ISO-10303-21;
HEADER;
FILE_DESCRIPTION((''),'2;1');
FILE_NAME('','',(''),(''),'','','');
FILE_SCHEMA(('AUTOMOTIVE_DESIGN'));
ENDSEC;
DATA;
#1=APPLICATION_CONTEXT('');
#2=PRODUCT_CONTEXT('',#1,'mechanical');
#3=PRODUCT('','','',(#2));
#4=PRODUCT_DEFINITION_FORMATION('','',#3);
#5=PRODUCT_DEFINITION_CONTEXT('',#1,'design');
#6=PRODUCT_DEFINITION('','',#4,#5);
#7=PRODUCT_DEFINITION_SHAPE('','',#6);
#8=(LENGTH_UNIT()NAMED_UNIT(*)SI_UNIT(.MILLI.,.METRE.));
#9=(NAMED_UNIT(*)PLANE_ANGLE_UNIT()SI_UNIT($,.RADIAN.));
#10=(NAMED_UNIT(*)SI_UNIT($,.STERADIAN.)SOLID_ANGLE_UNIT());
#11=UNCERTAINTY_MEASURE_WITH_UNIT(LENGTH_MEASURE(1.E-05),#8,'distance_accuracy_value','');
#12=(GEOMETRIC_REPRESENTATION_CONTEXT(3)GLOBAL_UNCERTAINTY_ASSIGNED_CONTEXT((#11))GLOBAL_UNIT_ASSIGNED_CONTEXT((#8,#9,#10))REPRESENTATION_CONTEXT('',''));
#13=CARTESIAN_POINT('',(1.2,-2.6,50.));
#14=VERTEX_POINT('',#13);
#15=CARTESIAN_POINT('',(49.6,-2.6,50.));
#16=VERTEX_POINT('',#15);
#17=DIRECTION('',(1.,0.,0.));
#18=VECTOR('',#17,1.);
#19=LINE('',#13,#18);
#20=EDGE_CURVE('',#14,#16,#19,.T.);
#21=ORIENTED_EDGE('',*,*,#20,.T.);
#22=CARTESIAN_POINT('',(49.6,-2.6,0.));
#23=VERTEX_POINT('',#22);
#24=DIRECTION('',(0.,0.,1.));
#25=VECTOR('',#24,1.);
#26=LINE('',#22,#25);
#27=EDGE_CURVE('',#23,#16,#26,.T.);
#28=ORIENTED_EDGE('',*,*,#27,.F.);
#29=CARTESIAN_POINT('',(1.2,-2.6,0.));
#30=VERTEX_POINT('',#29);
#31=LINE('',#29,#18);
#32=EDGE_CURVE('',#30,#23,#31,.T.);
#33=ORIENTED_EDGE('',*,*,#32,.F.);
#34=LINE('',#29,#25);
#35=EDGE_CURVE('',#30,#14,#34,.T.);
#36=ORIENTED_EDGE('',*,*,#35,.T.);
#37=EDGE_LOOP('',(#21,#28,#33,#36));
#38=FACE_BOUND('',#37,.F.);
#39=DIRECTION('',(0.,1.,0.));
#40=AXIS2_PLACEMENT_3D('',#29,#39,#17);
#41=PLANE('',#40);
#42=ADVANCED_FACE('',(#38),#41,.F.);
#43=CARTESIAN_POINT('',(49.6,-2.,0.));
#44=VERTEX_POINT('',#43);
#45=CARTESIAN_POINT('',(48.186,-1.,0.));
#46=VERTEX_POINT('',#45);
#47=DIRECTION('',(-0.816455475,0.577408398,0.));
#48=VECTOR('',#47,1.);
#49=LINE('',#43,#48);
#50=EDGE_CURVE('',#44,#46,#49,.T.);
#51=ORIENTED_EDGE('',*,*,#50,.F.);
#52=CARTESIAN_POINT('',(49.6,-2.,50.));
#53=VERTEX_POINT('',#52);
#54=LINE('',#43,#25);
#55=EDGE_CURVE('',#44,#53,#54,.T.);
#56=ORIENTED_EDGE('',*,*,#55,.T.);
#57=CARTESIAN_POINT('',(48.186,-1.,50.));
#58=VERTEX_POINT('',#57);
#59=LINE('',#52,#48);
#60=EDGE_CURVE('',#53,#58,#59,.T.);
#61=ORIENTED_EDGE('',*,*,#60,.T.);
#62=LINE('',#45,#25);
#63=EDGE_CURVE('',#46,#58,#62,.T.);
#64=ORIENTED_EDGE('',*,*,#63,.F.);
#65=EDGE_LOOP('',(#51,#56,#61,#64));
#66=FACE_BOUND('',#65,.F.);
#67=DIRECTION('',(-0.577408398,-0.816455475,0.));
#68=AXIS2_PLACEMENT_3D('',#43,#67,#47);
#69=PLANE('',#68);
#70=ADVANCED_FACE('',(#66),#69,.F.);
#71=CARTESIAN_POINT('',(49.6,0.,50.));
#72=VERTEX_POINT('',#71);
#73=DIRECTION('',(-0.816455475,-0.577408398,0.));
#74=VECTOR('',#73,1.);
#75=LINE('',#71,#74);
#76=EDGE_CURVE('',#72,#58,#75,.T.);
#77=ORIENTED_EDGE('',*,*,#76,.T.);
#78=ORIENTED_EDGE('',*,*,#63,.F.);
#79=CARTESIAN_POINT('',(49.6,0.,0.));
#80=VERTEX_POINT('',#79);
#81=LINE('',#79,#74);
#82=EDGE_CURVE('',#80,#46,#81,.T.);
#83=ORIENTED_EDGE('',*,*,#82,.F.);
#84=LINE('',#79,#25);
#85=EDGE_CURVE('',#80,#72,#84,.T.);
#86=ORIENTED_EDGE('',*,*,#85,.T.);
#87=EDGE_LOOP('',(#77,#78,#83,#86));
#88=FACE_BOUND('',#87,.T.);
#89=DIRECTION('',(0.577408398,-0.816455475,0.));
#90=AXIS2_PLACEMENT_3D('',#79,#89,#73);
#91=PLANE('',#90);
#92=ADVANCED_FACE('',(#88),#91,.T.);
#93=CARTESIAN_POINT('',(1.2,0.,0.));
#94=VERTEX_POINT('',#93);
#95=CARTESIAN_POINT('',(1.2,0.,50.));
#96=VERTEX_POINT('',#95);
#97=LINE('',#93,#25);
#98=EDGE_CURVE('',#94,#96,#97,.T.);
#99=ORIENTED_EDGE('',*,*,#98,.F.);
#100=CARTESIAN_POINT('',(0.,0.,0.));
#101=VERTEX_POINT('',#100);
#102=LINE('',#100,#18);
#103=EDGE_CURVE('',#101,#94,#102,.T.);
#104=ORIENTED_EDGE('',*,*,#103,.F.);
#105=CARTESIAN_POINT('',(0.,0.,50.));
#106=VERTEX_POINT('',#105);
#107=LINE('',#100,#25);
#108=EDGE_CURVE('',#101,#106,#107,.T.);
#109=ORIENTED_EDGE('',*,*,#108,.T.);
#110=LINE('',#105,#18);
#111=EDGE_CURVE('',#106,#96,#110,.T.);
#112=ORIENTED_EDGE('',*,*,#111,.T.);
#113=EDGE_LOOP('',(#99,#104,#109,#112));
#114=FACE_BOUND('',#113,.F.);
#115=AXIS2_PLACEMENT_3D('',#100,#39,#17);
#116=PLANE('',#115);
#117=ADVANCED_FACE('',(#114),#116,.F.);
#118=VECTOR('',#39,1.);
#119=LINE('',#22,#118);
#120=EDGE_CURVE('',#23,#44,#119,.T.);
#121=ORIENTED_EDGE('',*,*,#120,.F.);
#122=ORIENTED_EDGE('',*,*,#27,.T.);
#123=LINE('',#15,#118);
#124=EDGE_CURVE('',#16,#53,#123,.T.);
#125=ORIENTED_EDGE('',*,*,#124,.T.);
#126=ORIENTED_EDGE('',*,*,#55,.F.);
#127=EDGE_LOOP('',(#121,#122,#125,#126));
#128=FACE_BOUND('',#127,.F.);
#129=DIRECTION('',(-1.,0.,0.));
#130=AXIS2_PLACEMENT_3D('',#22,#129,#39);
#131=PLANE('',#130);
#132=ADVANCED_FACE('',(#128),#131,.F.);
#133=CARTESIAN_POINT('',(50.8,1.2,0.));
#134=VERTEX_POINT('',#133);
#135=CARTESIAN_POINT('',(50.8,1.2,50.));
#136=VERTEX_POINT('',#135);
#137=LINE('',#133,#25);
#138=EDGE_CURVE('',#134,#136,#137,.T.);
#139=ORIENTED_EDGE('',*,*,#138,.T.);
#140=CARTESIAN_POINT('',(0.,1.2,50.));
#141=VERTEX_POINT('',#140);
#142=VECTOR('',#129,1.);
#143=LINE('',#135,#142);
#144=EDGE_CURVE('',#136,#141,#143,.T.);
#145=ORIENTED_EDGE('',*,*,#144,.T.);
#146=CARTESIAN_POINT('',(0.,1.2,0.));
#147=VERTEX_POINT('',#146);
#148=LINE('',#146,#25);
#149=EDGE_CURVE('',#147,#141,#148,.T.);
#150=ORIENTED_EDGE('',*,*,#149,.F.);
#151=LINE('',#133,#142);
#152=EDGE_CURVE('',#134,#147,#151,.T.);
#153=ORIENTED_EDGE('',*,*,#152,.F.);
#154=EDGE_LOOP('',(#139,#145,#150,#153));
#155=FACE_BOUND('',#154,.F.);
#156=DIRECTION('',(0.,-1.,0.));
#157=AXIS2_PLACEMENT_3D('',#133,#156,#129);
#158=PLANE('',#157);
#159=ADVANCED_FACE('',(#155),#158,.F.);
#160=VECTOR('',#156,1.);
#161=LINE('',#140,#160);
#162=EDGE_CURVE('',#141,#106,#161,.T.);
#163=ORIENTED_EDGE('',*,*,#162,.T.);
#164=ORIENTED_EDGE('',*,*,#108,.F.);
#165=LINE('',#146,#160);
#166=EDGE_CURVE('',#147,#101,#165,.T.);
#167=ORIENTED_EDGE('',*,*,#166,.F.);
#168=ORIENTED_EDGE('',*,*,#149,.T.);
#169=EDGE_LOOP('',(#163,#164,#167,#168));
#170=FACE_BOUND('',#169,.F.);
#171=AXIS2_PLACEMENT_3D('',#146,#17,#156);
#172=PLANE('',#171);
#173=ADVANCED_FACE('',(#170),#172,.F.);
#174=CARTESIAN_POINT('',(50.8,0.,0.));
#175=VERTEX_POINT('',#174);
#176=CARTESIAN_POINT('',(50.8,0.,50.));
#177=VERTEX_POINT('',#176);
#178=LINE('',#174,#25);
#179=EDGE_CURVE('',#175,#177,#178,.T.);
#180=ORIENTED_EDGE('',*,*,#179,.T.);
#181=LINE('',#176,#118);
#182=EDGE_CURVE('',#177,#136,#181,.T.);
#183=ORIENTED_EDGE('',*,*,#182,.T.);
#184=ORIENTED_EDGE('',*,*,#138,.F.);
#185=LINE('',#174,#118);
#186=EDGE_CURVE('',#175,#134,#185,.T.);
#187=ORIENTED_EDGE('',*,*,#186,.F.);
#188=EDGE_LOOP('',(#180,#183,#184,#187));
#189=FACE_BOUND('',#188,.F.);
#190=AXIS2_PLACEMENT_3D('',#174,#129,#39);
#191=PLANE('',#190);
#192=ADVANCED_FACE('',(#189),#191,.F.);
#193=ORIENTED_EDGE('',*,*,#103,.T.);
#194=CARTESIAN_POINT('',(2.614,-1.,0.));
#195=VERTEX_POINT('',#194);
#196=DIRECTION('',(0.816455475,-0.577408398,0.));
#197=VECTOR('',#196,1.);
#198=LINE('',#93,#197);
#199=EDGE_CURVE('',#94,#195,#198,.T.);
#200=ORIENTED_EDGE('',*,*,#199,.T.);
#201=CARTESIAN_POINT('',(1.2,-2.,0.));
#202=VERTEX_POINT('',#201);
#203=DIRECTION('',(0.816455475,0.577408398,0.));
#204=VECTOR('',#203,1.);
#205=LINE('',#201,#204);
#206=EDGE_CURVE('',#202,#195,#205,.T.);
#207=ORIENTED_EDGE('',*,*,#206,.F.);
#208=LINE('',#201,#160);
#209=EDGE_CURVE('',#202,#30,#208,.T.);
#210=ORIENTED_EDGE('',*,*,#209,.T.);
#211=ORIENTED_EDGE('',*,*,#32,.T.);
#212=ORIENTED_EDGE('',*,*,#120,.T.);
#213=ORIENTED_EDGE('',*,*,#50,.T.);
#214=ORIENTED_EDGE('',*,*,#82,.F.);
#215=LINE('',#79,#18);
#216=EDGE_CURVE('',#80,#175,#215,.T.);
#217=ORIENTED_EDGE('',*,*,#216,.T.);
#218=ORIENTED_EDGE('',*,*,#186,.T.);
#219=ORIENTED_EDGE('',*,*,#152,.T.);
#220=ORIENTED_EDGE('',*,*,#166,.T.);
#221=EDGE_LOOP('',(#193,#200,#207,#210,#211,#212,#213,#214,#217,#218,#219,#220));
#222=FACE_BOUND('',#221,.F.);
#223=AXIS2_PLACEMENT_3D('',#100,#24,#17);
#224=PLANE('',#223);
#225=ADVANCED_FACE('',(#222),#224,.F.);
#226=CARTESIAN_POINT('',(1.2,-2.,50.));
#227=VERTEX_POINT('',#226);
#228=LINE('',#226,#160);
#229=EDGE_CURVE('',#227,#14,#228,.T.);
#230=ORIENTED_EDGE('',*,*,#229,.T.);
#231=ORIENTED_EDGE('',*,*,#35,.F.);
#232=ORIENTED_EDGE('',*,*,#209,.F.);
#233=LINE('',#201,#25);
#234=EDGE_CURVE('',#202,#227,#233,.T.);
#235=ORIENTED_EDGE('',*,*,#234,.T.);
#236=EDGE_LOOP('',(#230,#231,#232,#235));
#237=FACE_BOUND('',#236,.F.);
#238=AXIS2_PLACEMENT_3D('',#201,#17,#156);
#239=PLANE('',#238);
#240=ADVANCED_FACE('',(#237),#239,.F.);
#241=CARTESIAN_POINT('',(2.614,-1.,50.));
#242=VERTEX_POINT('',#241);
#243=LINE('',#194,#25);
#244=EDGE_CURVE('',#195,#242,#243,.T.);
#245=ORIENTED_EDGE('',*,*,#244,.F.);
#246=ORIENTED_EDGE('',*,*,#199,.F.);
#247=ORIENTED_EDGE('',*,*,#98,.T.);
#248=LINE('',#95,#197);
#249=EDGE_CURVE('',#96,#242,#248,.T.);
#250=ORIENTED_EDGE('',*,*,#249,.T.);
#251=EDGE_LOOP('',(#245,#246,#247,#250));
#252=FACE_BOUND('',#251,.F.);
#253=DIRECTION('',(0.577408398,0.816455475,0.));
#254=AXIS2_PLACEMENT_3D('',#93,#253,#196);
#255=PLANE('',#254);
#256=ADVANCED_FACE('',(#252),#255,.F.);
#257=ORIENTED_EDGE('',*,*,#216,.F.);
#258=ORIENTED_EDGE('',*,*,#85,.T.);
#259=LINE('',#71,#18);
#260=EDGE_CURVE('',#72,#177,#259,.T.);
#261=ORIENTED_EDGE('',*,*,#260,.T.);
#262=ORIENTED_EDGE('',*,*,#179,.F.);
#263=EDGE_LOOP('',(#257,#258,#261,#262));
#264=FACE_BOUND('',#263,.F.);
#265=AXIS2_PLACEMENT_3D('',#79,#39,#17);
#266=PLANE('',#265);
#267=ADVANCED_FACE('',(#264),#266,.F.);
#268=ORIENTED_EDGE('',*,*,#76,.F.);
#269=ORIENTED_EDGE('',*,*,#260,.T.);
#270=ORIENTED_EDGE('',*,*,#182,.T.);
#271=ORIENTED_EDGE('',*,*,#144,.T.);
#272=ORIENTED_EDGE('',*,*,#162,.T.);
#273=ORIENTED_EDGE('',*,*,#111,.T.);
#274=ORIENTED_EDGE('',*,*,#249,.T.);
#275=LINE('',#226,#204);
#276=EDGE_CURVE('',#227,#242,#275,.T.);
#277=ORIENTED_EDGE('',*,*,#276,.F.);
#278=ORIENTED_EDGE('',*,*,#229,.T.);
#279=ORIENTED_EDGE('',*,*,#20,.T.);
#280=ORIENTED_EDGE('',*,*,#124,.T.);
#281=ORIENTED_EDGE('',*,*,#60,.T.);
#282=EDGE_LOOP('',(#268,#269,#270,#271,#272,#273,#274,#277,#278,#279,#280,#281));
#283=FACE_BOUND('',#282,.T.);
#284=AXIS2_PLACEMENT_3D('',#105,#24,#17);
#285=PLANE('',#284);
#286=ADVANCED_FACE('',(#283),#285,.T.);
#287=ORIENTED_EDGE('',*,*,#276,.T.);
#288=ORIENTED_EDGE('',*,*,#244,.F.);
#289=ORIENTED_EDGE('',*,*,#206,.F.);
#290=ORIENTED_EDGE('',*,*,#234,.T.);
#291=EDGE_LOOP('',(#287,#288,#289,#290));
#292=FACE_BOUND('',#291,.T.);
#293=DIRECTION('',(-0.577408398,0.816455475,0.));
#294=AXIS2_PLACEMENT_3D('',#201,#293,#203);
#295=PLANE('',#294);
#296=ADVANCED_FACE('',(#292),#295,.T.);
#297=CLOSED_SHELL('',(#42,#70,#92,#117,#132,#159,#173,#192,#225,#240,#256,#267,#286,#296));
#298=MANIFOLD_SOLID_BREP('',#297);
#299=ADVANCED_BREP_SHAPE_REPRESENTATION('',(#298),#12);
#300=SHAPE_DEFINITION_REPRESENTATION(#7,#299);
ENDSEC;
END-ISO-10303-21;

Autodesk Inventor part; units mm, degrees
ref_plane "YZ Plane" through (0, 0, 0) normal (1, 0, 0) x (0, 1, 0)
ref_plane "XZ Plane" through (0, 0, 0) normal (0, 1, 0) x (-1, 0, 0)
ref_plane "XY Plane" through (0, 0, 0) normal (0, 0, 1) x (1, 0, 0)
sketch "Sketch1" plane through (0, 0, 0) normal (0, 0, 1) x (1, 0, 0)
  line L0 (50.8, 0) -> (50.8, 1.2)
  line L1 (50.8, 1.2) -> (0, 1.2)
  line L2 (0, 1.2) -> (0, 0)
  line L3 (0, 0) -> (1.2, 0) construction
  line L4 (1.2, 0) -> (1.2, -7.6054) construction
  line L5 (1.2, -7.6054) -> (0, -7.6054) construction
  line L6 (0, -7.6054) -> (0, 0) construction
  line L7 (50.8, 0) -> (49.6, 0) construction
  line L8 (49.6, 0) -> (49.6, -9.5013) construction
  line L9 (49.6, -9.5013) -> (50.8, -9.5013) construction
  line L10 (50.8, -9.5013) -> (50.8, 0) construction
  line L11 (1.2, 0) -> (1.2, -2) construction
  line L12 (1.2, -1) -> (2.614, -1) construction
  line L13 (1.2, -2) -> (2.614, -1)
  line L14 (1.2, 0) -> (2.614, -1)
  line L15 (1.2, -2) -> (1.2, -2.6)
  line L16 (1.2, -2.6) -> (49.6, -2.6)
  line L17 (49.6, -2.6) -> (49.6, -2)
  line L18 (49.6, -2) -> (49.6, 0) construction
  line L19 (49.6, -1) -> (48.186, -1) construction
  line L20 (49.6, -2) -> (48.186, -1)
  line L21 (49.6, 0) -> (48.186, -1)
  line L22 (0, 0) -> (1.2, 0)
  line L23 (49.6, 0) -> (50.8, 0)
  dimension "Width" = 50.8
  dimension "Thickness" = 1.2
  dimension "Leftwall" = 1.2
  dimension "Rightwall" = 1.2
  dimension "LTheight" = 2
  dimension "LTwidth" = 1.414
  dimension "BThickness" = 0.6
  dimension "BThicknessR" = 0.6
  dimension "RTWidth" = 1.414
extrude "Extrusion1" add sketch "Sketch1" along normal blind 50
equation "\"Rightwall\" = Leftwall"
equation "\"BThicknessR\" = BThickness"
equation "\"RTWidth\" = LTwidth"
properties part number "channel_lid"
